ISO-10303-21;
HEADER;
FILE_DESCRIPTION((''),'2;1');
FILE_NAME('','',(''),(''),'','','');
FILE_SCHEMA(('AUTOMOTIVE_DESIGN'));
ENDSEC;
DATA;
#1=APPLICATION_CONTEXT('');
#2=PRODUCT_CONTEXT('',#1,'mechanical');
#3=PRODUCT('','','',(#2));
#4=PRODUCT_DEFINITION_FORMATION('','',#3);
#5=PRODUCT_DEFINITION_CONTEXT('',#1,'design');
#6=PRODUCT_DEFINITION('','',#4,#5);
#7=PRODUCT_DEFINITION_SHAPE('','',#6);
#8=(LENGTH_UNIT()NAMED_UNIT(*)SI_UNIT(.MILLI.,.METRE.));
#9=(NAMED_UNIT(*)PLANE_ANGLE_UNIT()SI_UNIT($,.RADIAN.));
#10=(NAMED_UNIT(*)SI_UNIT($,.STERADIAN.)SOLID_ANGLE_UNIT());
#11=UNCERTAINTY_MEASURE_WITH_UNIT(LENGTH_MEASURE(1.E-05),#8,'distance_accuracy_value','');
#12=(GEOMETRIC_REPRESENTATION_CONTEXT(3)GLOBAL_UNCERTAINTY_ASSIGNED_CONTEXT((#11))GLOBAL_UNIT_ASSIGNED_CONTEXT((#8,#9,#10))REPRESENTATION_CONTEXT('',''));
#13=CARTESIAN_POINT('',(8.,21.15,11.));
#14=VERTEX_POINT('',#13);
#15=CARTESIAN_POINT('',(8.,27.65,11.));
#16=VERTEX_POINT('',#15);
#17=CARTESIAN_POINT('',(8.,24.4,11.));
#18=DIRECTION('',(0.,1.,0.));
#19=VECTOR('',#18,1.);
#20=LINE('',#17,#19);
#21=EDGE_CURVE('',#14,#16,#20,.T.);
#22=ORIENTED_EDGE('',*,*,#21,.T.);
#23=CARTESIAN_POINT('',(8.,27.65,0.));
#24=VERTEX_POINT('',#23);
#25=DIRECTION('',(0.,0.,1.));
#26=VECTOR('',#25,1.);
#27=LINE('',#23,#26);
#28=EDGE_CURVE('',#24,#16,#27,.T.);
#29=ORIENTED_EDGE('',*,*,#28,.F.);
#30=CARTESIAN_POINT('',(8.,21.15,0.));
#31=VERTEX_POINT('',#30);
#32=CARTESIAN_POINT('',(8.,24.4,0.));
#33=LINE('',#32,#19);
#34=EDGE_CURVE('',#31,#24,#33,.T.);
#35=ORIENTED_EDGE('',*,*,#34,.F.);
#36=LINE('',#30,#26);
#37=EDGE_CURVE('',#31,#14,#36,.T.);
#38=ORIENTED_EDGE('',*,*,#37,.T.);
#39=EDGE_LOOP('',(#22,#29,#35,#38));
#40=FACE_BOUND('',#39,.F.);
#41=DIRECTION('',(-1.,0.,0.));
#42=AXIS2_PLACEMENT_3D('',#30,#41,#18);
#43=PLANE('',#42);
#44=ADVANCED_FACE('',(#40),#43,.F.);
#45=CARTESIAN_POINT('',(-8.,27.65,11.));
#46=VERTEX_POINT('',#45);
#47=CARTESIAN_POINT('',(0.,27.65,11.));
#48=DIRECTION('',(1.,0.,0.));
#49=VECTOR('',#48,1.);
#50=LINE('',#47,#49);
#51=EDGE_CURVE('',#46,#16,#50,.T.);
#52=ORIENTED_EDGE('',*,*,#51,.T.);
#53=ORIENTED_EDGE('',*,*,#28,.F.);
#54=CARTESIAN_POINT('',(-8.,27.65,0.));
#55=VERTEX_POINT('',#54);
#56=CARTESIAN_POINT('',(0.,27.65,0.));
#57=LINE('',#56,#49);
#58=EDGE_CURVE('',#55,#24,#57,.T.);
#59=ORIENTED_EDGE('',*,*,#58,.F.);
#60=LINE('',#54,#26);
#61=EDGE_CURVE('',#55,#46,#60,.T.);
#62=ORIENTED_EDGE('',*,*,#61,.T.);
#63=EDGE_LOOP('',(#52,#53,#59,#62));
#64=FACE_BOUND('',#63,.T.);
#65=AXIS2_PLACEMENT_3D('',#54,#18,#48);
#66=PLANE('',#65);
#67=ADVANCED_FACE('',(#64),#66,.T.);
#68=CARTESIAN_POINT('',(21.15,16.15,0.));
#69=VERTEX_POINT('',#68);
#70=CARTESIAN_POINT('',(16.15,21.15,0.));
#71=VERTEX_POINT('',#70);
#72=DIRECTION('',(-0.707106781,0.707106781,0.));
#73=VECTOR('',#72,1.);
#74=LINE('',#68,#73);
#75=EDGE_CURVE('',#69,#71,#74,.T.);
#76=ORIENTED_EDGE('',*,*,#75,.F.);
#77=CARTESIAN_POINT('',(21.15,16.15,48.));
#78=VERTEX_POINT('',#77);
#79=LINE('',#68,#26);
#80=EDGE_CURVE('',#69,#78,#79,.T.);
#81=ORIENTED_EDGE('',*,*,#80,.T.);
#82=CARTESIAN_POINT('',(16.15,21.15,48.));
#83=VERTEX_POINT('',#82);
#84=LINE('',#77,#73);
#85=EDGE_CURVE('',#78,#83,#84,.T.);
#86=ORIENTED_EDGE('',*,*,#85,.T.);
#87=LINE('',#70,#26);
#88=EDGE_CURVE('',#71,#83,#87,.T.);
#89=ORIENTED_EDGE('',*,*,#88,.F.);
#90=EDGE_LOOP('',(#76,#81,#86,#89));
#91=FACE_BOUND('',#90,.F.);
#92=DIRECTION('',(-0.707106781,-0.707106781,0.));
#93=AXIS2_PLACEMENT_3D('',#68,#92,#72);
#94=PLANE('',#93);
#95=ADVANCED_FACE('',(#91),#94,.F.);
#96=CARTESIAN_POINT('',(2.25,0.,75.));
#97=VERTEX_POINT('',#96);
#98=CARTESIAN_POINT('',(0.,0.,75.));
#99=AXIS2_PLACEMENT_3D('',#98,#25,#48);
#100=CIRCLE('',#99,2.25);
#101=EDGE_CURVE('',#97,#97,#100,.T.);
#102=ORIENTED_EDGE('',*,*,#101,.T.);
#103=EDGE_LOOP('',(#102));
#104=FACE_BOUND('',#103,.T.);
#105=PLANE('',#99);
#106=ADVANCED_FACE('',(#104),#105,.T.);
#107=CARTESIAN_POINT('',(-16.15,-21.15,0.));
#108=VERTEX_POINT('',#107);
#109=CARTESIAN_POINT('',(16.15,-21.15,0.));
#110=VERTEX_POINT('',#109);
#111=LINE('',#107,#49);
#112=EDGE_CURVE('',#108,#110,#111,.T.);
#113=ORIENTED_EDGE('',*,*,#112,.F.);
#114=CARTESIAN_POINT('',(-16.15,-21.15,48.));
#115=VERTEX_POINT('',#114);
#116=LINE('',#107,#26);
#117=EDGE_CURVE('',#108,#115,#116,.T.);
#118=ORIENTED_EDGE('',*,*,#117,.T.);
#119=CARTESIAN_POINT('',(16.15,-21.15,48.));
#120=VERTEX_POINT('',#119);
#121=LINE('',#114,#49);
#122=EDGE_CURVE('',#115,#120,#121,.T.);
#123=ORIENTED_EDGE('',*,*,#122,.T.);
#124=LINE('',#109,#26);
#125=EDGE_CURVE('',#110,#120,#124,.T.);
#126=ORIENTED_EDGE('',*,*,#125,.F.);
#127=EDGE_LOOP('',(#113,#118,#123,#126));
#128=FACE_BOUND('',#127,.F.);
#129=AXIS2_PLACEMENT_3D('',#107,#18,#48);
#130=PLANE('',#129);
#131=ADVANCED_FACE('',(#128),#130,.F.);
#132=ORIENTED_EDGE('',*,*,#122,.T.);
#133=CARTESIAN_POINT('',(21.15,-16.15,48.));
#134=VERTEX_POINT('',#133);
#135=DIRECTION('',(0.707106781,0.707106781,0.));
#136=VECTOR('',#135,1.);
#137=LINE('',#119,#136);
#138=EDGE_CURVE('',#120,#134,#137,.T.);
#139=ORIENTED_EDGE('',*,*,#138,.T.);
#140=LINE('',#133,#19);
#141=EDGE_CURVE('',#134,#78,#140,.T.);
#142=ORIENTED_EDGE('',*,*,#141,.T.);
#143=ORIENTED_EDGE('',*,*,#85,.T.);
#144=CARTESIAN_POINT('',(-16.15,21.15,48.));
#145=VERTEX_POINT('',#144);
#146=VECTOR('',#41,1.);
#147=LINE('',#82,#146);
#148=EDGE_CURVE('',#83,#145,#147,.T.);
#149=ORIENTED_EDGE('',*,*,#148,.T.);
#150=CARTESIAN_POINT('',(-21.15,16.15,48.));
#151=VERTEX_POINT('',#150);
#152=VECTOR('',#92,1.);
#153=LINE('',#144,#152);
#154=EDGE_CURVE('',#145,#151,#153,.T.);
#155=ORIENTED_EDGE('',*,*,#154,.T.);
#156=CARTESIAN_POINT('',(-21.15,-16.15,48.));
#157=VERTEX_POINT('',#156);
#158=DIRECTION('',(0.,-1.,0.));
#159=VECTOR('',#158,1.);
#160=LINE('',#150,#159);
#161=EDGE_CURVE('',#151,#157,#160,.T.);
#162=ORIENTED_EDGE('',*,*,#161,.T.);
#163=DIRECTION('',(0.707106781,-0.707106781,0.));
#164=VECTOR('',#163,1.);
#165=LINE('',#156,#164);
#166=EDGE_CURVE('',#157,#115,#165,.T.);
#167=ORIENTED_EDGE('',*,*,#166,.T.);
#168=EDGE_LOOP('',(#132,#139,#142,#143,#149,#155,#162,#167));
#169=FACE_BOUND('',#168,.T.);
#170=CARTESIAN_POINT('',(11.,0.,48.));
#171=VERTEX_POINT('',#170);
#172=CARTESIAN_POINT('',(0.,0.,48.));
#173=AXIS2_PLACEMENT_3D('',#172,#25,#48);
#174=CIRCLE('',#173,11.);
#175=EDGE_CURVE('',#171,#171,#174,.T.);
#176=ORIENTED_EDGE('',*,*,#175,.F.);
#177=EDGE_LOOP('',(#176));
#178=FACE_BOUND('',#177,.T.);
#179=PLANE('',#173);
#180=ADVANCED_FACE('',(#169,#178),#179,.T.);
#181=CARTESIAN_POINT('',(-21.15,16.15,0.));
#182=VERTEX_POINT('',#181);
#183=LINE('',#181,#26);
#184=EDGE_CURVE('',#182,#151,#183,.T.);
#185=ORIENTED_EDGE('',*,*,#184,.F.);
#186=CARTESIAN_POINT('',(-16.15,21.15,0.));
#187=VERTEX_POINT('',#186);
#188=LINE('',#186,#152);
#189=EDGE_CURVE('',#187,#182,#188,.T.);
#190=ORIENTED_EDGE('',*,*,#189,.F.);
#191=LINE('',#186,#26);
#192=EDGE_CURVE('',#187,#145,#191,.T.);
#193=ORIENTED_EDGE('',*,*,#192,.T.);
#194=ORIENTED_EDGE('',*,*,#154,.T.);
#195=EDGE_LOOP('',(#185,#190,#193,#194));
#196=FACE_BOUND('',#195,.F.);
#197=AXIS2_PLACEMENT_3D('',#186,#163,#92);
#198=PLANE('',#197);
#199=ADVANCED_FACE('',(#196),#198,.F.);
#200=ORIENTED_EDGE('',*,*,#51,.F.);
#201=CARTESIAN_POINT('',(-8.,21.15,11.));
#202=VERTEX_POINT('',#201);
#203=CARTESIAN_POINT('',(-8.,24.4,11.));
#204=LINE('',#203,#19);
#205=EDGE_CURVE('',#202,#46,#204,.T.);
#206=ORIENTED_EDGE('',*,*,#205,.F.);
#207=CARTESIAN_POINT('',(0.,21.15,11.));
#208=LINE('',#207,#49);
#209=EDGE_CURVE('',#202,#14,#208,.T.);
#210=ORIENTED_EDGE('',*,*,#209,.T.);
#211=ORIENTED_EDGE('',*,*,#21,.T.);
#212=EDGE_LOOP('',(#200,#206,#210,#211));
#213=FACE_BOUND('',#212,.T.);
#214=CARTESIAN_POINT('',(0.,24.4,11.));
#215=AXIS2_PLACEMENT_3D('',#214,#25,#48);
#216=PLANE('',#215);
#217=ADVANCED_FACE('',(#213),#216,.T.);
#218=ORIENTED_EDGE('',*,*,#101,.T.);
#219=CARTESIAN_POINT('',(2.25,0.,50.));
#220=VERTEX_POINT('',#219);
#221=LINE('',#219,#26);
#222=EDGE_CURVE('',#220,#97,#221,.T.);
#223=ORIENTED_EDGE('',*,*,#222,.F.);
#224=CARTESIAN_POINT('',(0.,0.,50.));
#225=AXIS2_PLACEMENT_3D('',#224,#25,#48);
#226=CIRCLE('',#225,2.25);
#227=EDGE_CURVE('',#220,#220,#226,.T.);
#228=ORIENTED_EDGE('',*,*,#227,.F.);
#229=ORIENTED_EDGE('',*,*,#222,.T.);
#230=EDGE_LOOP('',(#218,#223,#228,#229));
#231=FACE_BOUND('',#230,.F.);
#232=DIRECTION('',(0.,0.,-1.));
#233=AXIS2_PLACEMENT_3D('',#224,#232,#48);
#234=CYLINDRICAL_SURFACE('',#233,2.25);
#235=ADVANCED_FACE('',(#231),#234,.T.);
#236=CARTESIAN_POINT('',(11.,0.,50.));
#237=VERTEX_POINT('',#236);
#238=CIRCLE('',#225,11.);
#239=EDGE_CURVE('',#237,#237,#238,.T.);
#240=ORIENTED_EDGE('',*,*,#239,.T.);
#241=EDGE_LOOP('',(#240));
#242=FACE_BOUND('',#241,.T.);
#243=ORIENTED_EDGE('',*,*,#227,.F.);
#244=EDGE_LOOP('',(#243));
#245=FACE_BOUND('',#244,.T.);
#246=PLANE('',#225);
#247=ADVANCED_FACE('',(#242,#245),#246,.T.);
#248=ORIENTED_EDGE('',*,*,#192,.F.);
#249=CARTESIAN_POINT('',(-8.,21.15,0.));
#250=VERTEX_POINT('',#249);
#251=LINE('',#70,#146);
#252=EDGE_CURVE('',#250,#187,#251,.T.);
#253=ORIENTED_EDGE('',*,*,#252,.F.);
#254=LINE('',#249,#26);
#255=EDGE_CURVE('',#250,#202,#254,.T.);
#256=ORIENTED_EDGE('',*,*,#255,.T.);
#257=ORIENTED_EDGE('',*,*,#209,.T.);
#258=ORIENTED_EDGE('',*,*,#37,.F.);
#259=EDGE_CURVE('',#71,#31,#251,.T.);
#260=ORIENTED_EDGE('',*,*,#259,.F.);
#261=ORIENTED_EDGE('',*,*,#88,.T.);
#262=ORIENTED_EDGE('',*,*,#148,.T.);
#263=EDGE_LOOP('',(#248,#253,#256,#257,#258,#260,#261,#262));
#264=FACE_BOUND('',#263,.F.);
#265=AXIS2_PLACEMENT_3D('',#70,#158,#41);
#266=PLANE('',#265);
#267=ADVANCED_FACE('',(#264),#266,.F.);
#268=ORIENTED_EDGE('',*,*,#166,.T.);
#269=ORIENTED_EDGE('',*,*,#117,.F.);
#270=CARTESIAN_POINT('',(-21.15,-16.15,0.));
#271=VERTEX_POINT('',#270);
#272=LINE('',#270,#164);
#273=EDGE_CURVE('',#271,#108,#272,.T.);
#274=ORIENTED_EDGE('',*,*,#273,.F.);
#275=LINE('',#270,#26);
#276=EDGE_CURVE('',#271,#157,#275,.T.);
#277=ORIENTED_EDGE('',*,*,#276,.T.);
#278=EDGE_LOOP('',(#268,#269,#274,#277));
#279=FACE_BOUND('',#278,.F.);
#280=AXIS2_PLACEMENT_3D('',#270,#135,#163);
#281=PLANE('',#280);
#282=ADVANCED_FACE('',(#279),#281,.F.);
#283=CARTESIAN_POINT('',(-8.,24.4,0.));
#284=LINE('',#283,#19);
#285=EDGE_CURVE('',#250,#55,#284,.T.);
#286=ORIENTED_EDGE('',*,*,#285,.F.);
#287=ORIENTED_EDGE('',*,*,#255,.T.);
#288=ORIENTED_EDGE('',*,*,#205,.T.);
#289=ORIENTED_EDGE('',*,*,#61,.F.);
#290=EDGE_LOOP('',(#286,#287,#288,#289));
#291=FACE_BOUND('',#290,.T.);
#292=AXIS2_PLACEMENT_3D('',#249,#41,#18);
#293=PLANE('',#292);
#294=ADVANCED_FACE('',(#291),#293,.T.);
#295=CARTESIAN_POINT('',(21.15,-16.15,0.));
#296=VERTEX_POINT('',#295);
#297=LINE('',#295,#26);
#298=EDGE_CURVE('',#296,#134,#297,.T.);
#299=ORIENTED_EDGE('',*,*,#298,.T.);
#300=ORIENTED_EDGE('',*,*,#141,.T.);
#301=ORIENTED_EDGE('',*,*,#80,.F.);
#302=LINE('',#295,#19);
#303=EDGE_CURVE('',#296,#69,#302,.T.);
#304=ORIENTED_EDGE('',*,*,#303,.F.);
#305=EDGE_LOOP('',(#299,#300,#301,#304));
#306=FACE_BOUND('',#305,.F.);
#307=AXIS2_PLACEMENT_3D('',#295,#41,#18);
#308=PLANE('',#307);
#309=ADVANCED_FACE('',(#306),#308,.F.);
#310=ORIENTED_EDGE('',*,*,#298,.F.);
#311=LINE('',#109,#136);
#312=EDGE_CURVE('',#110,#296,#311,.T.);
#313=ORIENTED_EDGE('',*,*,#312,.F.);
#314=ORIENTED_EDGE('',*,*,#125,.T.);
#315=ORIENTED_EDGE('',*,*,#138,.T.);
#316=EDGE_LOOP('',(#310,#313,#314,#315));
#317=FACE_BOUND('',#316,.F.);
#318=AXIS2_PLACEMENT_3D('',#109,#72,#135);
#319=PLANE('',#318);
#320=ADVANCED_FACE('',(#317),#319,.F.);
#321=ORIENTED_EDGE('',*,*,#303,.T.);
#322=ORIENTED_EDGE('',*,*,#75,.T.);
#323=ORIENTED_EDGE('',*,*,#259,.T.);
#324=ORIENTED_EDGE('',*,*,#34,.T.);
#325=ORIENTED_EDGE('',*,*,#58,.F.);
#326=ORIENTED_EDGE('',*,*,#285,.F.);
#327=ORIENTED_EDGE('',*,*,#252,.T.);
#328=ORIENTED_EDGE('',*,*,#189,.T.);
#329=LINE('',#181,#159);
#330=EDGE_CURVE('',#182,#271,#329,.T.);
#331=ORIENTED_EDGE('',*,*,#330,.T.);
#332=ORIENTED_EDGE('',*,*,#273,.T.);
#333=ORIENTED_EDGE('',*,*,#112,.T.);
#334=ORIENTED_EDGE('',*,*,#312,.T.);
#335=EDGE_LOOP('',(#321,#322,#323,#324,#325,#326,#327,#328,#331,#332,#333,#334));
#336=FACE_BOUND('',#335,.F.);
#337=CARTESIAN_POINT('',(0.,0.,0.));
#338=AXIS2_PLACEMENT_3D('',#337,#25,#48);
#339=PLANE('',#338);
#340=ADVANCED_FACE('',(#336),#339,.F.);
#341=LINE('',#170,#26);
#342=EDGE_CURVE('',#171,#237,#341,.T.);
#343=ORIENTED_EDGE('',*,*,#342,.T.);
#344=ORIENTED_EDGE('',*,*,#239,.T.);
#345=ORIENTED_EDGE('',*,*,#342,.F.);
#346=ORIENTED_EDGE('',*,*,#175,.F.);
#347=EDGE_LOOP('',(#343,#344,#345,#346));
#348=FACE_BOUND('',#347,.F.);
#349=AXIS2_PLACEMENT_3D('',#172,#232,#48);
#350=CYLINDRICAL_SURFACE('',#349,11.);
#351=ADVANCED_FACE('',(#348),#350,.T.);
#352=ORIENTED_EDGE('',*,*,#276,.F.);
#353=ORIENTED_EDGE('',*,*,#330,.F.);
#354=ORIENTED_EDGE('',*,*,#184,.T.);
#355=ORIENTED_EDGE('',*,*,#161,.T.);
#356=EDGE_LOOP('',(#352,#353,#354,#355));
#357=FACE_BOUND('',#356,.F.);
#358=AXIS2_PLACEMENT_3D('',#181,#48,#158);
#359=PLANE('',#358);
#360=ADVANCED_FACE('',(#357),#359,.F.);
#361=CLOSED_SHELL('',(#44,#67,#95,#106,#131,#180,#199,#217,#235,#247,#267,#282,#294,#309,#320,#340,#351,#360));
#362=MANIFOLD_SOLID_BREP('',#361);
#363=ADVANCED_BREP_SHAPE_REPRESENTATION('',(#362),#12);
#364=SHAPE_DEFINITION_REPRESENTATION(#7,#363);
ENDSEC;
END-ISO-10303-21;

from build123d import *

# Parameters (mm, degrees)
F1_DEPTH = 48
F2_W     = 16
F2_H     = 6.5
F3_DEPTH = 11
F4_R     = 11
F5_DEPTH = 2
F6_R     = 2.25
F7_DEPTH = 25


with BuildPart() as f1:
    # F0 (on Top) → F1 (new body)
    with BuildSketch(Plane.XY):
        Polygon((16.15, 21.15), (-16.15, 21.15), (-21.15, 16.15), (-21.15, -16.15), (-16.15, -21.15), (16.15, -21.15), (21.15, -16.15), (21.15, 16.15), align=None)
    extrude(amount=F1_DEPTH)

    # F2 (on Top) → F3 (join)
    with BuildSketch(Plane.XY):
        with Locations((0, 24.4)):
            Rectangle(F2_W, F2_H)
    extrude(amount=F3_DEPTH)

    # F4 (on face) → F5 (join)
    with BuildSketch(Plane.XY.offset(48)):
        Circle(F4_R)
    extrude(amount=F5_DEPTH)

    # F6 (on face) → F7 (join)
    with BuildSketch(Plane.XY.offset(50)):
        Circle(F6_R)
    extrude(amount=F7_DEPTH)


solid = f1.part
